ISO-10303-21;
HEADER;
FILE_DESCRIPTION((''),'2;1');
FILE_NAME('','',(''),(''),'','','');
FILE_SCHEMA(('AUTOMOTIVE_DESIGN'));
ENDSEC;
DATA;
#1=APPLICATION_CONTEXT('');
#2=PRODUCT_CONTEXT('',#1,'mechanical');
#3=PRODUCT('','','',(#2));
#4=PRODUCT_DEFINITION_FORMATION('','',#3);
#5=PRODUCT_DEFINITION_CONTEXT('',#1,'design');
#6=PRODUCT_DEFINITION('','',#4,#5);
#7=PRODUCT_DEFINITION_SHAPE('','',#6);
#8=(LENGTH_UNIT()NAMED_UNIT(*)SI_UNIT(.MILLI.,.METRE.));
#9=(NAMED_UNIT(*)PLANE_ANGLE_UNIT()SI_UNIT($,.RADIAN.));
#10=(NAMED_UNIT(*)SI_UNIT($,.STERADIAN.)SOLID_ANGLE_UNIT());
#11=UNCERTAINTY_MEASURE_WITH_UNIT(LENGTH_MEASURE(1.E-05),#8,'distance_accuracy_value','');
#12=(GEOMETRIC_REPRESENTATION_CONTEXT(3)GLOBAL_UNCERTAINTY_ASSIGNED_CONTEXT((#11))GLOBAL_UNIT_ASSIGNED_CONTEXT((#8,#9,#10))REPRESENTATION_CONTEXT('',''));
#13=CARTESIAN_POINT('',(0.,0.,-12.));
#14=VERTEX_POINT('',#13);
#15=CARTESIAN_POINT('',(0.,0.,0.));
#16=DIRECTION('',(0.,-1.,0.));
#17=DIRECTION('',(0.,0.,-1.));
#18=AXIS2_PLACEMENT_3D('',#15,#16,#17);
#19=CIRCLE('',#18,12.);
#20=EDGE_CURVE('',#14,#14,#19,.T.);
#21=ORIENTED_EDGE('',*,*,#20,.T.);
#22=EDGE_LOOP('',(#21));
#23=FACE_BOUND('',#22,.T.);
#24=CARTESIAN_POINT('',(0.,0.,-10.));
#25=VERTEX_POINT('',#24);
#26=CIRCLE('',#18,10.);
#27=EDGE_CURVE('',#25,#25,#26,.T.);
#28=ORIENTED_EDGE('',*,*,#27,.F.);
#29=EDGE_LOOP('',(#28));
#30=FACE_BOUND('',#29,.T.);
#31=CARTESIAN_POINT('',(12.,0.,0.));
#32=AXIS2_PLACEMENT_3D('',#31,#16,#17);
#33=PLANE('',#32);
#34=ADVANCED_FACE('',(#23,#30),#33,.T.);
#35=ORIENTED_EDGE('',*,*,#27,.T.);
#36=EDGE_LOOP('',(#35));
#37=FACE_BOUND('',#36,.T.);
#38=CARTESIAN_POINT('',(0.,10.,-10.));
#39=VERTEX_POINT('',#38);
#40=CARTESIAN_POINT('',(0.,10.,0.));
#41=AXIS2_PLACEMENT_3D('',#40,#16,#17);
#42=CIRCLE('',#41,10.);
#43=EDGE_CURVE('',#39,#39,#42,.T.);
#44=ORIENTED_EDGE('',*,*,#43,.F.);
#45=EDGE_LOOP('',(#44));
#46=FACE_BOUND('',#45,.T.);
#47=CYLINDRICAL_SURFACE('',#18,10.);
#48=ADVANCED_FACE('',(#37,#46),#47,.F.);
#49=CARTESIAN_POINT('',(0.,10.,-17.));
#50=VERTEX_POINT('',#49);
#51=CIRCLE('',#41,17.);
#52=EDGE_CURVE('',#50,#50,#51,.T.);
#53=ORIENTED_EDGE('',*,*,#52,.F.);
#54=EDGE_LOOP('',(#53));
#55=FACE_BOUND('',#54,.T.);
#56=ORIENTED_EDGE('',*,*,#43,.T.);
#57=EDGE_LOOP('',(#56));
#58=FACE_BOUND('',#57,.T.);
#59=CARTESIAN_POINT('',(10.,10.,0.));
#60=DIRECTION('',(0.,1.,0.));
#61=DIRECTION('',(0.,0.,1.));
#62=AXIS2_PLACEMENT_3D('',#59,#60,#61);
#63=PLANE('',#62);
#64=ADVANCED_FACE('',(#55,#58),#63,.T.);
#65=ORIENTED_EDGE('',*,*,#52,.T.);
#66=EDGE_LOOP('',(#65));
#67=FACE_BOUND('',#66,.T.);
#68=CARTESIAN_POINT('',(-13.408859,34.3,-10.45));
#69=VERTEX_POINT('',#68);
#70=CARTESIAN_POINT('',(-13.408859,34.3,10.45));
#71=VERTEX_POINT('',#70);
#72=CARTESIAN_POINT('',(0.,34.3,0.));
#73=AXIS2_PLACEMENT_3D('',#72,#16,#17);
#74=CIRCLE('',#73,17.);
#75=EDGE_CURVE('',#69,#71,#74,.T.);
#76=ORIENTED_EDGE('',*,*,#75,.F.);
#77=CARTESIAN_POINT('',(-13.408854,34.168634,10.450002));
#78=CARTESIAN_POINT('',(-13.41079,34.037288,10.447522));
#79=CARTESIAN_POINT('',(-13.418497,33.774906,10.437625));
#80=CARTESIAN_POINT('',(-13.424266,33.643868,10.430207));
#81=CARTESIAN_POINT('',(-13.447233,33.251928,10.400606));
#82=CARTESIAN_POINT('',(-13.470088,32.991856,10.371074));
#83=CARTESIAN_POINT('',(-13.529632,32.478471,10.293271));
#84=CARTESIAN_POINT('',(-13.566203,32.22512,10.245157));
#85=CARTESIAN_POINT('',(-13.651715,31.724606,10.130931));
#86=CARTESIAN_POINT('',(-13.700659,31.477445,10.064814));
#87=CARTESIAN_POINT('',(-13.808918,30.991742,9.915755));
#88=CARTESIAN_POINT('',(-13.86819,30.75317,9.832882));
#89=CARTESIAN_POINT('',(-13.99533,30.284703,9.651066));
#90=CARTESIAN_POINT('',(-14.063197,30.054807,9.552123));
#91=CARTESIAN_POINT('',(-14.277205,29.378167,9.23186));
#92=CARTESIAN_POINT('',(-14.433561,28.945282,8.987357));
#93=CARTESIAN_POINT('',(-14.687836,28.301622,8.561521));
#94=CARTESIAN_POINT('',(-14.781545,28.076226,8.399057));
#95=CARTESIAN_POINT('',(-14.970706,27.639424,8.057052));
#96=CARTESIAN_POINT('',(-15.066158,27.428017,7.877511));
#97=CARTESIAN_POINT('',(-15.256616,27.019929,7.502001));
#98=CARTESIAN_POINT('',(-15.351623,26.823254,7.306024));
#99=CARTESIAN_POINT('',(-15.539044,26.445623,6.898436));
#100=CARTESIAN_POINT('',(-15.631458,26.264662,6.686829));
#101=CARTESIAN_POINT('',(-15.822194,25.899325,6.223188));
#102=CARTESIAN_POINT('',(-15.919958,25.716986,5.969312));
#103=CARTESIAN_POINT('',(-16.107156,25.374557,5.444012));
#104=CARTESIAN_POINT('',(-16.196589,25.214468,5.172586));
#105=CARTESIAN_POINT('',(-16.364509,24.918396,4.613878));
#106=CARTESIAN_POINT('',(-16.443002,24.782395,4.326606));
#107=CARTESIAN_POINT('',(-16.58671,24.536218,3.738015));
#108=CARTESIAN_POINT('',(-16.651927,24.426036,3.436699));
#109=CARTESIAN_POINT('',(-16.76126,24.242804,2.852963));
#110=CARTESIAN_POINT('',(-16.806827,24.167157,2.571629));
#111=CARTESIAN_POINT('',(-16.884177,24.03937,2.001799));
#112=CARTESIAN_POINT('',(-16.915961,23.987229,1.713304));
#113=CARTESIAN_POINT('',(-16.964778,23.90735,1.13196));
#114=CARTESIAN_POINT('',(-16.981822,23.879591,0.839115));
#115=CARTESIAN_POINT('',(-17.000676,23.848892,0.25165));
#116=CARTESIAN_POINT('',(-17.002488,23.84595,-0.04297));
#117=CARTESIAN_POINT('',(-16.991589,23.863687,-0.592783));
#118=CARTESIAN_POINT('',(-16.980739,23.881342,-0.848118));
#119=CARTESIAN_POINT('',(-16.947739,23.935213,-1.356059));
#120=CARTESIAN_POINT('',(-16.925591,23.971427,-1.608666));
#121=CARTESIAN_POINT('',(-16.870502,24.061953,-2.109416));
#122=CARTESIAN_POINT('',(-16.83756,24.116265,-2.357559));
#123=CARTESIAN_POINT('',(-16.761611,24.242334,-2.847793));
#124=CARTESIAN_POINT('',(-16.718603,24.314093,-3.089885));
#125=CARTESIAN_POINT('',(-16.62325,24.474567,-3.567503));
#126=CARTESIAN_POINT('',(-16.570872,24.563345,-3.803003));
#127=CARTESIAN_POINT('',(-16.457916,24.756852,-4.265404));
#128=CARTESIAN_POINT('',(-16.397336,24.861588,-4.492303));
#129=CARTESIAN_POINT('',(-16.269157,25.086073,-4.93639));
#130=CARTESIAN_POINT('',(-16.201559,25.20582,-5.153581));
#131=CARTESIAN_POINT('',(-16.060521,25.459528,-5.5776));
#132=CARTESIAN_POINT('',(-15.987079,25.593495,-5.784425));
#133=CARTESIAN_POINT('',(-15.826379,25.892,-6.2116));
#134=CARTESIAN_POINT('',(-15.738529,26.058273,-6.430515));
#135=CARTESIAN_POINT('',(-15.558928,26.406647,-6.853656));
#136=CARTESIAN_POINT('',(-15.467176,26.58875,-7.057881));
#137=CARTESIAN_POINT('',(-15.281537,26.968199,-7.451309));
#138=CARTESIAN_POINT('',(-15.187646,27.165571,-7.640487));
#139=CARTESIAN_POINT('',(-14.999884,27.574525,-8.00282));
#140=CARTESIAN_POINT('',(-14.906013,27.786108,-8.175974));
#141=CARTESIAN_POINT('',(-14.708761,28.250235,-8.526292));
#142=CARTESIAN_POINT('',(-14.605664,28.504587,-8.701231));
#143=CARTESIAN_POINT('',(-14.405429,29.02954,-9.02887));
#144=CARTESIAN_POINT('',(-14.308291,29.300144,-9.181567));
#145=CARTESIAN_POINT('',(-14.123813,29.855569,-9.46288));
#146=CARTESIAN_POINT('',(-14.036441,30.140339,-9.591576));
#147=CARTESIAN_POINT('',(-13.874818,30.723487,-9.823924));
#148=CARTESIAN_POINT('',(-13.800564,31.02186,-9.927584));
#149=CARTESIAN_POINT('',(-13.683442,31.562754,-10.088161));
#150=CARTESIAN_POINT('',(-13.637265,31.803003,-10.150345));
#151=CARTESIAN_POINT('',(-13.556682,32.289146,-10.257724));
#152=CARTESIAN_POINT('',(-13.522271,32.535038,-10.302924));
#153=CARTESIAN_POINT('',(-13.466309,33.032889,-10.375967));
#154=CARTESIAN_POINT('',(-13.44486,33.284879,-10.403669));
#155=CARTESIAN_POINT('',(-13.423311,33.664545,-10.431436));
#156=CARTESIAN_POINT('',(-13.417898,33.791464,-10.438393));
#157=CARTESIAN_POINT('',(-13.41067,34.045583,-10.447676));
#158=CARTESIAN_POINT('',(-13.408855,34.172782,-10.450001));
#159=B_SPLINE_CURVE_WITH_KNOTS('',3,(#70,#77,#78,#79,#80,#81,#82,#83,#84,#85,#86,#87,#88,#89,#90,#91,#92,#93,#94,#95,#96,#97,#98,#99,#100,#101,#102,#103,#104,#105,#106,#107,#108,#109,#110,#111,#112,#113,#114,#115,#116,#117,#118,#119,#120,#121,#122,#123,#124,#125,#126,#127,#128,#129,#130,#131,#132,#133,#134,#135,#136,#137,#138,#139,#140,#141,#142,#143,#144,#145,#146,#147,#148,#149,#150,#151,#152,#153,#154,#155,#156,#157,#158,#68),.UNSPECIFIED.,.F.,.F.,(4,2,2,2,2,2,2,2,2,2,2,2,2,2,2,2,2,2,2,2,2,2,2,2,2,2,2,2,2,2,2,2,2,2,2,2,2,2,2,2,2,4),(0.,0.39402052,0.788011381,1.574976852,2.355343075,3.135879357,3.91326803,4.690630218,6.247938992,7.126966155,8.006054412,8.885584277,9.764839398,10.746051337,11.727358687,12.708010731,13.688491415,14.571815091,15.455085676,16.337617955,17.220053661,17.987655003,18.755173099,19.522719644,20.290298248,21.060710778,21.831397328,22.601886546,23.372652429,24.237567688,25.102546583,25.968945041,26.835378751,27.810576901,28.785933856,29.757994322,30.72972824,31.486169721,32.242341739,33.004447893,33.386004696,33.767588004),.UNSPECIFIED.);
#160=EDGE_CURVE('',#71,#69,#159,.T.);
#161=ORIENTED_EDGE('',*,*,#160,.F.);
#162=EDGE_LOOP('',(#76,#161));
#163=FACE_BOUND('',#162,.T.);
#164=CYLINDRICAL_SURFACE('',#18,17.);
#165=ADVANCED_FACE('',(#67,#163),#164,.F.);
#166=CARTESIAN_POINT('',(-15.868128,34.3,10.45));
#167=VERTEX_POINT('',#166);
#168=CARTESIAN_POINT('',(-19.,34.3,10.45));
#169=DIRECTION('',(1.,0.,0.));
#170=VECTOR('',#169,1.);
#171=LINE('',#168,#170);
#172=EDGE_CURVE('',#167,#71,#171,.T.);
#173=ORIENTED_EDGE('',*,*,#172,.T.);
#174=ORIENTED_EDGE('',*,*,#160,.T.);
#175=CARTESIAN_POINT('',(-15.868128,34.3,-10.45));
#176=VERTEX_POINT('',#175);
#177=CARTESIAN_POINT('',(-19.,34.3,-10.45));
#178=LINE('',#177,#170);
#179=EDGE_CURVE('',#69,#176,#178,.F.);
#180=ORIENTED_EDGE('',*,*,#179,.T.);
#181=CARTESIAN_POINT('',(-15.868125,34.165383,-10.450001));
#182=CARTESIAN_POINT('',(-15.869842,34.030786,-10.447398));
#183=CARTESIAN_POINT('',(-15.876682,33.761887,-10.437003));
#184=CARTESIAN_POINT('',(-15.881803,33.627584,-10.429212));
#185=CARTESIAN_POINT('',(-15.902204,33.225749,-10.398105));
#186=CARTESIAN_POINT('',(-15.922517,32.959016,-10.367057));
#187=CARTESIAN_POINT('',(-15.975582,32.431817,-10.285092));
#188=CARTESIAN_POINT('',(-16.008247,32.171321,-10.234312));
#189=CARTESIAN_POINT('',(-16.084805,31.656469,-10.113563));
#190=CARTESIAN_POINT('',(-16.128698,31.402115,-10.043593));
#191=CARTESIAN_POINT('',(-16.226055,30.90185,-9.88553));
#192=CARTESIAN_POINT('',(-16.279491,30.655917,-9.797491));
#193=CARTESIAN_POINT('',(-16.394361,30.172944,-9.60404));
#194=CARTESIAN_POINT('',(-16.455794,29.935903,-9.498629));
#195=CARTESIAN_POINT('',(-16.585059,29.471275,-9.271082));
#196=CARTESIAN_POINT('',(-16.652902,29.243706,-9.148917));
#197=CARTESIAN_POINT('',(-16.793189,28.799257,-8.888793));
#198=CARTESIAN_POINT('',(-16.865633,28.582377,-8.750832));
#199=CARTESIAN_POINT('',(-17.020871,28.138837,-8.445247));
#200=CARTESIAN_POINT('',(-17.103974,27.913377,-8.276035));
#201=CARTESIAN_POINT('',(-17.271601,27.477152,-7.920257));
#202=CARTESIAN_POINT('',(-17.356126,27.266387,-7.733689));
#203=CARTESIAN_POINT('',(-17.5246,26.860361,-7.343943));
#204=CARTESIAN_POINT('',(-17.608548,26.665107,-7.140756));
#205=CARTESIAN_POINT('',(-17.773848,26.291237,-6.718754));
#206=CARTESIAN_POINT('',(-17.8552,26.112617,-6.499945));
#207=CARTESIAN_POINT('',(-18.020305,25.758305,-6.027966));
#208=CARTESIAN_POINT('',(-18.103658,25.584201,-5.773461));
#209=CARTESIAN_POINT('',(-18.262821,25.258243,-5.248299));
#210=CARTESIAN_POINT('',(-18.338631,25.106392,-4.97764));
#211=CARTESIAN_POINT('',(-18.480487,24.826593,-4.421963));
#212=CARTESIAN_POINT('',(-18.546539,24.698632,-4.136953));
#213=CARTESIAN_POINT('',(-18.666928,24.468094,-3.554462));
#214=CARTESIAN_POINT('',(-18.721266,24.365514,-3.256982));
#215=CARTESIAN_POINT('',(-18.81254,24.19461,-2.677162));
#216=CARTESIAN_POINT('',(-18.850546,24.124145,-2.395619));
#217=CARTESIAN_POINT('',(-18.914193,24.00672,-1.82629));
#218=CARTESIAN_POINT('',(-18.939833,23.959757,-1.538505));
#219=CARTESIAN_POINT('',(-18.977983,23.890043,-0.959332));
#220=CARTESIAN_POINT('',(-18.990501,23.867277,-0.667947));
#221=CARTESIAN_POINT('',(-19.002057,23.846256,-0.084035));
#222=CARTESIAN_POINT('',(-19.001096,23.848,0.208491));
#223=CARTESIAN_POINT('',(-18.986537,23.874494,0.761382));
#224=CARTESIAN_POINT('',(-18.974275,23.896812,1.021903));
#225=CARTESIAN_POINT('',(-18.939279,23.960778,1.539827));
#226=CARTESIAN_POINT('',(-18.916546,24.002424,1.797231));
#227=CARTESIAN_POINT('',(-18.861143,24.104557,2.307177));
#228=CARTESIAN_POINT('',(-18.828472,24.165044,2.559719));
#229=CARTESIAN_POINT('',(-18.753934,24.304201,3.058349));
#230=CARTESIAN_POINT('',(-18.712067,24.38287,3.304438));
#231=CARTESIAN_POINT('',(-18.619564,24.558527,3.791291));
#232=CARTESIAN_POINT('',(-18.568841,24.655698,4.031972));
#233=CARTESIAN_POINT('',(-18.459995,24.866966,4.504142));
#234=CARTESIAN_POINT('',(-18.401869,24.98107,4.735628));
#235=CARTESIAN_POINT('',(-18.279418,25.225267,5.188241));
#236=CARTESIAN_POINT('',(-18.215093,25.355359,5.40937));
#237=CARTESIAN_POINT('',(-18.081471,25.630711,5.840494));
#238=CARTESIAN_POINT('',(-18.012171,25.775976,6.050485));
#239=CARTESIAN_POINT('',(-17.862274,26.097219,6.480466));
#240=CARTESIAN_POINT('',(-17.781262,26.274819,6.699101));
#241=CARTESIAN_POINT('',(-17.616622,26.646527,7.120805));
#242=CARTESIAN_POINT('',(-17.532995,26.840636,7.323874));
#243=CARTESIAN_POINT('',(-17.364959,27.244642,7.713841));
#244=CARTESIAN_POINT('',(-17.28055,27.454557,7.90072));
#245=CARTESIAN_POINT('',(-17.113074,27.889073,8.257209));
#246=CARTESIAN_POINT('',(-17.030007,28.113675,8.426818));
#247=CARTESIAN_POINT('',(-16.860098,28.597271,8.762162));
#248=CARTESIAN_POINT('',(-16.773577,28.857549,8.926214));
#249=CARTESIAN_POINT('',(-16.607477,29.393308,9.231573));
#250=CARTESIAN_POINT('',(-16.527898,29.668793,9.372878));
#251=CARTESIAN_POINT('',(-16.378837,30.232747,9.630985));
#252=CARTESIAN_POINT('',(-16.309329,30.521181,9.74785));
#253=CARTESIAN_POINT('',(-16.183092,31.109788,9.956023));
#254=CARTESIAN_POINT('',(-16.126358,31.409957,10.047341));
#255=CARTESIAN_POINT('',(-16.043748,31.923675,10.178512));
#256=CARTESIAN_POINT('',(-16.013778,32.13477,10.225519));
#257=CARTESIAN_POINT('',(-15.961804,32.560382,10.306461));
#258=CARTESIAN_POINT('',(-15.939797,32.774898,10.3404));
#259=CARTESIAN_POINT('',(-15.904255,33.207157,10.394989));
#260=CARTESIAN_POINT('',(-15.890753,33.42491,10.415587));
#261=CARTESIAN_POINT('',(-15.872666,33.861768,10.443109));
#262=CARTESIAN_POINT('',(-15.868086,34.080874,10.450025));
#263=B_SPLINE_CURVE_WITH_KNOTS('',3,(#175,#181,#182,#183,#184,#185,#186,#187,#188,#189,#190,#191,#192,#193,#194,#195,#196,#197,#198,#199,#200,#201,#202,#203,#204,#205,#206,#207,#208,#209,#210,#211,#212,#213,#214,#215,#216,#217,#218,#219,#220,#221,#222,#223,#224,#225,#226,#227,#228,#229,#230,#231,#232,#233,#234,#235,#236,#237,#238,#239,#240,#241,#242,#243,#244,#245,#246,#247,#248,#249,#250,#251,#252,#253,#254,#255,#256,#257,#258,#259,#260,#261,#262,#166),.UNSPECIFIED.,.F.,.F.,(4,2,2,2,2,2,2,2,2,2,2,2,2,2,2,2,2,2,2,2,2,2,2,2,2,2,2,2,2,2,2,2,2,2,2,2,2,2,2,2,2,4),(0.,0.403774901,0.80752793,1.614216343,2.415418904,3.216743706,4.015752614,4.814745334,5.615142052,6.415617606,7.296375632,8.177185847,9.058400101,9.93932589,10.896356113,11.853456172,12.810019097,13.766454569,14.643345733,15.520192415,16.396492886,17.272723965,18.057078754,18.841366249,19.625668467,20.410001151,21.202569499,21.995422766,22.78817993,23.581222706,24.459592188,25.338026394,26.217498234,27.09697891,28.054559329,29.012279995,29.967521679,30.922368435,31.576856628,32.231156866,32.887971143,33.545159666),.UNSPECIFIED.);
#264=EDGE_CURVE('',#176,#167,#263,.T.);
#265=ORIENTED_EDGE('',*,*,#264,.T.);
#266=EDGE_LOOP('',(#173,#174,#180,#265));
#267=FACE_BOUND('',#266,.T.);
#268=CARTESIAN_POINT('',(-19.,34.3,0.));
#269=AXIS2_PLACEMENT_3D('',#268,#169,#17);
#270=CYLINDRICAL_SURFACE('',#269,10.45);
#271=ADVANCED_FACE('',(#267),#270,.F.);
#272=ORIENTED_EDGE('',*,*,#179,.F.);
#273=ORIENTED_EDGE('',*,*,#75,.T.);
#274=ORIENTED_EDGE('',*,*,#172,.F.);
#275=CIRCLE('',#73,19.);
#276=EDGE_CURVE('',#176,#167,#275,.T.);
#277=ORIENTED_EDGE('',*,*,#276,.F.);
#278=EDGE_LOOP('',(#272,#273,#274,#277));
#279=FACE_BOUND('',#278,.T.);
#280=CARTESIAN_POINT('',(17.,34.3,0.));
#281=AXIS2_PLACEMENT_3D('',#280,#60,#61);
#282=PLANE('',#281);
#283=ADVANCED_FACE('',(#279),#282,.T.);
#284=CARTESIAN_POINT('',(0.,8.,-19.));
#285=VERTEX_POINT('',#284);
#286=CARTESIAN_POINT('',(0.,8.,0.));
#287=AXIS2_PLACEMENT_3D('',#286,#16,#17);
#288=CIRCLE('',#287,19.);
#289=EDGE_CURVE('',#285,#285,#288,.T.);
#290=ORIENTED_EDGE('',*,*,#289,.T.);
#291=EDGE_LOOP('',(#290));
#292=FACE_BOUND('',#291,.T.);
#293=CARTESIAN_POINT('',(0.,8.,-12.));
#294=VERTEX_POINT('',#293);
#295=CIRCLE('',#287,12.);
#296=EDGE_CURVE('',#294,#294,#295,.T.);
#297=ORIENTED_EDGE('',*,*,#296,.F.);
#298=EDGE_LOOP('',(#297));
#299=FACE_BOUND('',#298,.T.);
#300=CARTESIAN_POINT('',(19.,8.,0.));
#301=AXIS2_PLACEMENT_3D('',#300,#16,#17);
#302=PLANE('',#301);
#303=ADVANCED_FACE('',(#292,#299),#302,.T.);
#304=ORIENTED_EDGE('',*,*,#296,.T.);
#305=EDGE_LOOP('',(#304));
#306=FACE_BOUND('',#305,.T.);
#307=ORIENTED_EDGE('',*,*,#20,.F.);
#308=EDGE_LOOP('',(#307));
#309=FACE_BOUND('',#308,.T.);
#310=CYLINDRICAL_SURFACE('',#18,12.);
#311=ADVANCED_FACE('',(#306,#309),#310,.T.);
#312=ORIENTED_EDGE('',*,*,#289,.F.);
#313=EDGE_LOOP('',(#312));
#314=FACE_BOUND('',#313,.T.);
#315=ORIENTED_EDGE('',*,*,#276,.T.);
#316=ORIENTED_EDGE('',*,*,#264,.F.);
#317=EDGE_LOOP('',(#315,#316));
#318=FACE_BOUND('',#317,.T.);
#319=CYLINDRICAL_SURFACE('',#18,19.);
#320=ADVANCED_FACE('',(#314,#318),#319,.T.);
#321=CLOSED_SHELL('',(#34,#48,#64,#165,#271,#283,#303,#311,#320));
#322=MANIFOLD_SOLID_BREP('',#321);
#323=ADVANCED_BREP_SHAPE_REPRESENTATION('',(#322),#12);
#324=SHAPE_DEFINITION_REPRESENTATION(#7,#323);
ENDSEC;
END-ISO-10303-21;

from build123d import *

# Parameters (mm, degrees)
SKETCH3_R          = 10.45
CUT_EXTRUDE1_DEPTH = 44.571665105


with BuildPart() as part:
    # Sketch2 → Revolve1 (revolve)
    with BuildSketch(Plane.XY, mode=Mode.PRIVATE) as revolve1_sk:
        Polygon((10, 0), (10, 10), (17, 10), (17, 34.3), (19, 34.3), (19, 8), (12, 8), (12, 0), align=None)
    revolve(revolve1_sk.sketch.rotate(Axis((0, 0, 0), (0, 1, 0)), 90), axis=Axis((0, 0, 0), (0, 1, 0)))

    # Sketch3 → Cut-Extrude1 (cut, through all)
    with BuildSketch(Plane(origin=(0, 0, 0), x_dir=(0, 0, -1), z_dir=(1, 0, 0))):
        with Locations((0, 34.3)):
            Circle(SKETCH3_R)
    extrude(amount=-CUT_EXTRUDE1_DEPTH, mode=Mode.SUBTRACT)


solid = part.part
